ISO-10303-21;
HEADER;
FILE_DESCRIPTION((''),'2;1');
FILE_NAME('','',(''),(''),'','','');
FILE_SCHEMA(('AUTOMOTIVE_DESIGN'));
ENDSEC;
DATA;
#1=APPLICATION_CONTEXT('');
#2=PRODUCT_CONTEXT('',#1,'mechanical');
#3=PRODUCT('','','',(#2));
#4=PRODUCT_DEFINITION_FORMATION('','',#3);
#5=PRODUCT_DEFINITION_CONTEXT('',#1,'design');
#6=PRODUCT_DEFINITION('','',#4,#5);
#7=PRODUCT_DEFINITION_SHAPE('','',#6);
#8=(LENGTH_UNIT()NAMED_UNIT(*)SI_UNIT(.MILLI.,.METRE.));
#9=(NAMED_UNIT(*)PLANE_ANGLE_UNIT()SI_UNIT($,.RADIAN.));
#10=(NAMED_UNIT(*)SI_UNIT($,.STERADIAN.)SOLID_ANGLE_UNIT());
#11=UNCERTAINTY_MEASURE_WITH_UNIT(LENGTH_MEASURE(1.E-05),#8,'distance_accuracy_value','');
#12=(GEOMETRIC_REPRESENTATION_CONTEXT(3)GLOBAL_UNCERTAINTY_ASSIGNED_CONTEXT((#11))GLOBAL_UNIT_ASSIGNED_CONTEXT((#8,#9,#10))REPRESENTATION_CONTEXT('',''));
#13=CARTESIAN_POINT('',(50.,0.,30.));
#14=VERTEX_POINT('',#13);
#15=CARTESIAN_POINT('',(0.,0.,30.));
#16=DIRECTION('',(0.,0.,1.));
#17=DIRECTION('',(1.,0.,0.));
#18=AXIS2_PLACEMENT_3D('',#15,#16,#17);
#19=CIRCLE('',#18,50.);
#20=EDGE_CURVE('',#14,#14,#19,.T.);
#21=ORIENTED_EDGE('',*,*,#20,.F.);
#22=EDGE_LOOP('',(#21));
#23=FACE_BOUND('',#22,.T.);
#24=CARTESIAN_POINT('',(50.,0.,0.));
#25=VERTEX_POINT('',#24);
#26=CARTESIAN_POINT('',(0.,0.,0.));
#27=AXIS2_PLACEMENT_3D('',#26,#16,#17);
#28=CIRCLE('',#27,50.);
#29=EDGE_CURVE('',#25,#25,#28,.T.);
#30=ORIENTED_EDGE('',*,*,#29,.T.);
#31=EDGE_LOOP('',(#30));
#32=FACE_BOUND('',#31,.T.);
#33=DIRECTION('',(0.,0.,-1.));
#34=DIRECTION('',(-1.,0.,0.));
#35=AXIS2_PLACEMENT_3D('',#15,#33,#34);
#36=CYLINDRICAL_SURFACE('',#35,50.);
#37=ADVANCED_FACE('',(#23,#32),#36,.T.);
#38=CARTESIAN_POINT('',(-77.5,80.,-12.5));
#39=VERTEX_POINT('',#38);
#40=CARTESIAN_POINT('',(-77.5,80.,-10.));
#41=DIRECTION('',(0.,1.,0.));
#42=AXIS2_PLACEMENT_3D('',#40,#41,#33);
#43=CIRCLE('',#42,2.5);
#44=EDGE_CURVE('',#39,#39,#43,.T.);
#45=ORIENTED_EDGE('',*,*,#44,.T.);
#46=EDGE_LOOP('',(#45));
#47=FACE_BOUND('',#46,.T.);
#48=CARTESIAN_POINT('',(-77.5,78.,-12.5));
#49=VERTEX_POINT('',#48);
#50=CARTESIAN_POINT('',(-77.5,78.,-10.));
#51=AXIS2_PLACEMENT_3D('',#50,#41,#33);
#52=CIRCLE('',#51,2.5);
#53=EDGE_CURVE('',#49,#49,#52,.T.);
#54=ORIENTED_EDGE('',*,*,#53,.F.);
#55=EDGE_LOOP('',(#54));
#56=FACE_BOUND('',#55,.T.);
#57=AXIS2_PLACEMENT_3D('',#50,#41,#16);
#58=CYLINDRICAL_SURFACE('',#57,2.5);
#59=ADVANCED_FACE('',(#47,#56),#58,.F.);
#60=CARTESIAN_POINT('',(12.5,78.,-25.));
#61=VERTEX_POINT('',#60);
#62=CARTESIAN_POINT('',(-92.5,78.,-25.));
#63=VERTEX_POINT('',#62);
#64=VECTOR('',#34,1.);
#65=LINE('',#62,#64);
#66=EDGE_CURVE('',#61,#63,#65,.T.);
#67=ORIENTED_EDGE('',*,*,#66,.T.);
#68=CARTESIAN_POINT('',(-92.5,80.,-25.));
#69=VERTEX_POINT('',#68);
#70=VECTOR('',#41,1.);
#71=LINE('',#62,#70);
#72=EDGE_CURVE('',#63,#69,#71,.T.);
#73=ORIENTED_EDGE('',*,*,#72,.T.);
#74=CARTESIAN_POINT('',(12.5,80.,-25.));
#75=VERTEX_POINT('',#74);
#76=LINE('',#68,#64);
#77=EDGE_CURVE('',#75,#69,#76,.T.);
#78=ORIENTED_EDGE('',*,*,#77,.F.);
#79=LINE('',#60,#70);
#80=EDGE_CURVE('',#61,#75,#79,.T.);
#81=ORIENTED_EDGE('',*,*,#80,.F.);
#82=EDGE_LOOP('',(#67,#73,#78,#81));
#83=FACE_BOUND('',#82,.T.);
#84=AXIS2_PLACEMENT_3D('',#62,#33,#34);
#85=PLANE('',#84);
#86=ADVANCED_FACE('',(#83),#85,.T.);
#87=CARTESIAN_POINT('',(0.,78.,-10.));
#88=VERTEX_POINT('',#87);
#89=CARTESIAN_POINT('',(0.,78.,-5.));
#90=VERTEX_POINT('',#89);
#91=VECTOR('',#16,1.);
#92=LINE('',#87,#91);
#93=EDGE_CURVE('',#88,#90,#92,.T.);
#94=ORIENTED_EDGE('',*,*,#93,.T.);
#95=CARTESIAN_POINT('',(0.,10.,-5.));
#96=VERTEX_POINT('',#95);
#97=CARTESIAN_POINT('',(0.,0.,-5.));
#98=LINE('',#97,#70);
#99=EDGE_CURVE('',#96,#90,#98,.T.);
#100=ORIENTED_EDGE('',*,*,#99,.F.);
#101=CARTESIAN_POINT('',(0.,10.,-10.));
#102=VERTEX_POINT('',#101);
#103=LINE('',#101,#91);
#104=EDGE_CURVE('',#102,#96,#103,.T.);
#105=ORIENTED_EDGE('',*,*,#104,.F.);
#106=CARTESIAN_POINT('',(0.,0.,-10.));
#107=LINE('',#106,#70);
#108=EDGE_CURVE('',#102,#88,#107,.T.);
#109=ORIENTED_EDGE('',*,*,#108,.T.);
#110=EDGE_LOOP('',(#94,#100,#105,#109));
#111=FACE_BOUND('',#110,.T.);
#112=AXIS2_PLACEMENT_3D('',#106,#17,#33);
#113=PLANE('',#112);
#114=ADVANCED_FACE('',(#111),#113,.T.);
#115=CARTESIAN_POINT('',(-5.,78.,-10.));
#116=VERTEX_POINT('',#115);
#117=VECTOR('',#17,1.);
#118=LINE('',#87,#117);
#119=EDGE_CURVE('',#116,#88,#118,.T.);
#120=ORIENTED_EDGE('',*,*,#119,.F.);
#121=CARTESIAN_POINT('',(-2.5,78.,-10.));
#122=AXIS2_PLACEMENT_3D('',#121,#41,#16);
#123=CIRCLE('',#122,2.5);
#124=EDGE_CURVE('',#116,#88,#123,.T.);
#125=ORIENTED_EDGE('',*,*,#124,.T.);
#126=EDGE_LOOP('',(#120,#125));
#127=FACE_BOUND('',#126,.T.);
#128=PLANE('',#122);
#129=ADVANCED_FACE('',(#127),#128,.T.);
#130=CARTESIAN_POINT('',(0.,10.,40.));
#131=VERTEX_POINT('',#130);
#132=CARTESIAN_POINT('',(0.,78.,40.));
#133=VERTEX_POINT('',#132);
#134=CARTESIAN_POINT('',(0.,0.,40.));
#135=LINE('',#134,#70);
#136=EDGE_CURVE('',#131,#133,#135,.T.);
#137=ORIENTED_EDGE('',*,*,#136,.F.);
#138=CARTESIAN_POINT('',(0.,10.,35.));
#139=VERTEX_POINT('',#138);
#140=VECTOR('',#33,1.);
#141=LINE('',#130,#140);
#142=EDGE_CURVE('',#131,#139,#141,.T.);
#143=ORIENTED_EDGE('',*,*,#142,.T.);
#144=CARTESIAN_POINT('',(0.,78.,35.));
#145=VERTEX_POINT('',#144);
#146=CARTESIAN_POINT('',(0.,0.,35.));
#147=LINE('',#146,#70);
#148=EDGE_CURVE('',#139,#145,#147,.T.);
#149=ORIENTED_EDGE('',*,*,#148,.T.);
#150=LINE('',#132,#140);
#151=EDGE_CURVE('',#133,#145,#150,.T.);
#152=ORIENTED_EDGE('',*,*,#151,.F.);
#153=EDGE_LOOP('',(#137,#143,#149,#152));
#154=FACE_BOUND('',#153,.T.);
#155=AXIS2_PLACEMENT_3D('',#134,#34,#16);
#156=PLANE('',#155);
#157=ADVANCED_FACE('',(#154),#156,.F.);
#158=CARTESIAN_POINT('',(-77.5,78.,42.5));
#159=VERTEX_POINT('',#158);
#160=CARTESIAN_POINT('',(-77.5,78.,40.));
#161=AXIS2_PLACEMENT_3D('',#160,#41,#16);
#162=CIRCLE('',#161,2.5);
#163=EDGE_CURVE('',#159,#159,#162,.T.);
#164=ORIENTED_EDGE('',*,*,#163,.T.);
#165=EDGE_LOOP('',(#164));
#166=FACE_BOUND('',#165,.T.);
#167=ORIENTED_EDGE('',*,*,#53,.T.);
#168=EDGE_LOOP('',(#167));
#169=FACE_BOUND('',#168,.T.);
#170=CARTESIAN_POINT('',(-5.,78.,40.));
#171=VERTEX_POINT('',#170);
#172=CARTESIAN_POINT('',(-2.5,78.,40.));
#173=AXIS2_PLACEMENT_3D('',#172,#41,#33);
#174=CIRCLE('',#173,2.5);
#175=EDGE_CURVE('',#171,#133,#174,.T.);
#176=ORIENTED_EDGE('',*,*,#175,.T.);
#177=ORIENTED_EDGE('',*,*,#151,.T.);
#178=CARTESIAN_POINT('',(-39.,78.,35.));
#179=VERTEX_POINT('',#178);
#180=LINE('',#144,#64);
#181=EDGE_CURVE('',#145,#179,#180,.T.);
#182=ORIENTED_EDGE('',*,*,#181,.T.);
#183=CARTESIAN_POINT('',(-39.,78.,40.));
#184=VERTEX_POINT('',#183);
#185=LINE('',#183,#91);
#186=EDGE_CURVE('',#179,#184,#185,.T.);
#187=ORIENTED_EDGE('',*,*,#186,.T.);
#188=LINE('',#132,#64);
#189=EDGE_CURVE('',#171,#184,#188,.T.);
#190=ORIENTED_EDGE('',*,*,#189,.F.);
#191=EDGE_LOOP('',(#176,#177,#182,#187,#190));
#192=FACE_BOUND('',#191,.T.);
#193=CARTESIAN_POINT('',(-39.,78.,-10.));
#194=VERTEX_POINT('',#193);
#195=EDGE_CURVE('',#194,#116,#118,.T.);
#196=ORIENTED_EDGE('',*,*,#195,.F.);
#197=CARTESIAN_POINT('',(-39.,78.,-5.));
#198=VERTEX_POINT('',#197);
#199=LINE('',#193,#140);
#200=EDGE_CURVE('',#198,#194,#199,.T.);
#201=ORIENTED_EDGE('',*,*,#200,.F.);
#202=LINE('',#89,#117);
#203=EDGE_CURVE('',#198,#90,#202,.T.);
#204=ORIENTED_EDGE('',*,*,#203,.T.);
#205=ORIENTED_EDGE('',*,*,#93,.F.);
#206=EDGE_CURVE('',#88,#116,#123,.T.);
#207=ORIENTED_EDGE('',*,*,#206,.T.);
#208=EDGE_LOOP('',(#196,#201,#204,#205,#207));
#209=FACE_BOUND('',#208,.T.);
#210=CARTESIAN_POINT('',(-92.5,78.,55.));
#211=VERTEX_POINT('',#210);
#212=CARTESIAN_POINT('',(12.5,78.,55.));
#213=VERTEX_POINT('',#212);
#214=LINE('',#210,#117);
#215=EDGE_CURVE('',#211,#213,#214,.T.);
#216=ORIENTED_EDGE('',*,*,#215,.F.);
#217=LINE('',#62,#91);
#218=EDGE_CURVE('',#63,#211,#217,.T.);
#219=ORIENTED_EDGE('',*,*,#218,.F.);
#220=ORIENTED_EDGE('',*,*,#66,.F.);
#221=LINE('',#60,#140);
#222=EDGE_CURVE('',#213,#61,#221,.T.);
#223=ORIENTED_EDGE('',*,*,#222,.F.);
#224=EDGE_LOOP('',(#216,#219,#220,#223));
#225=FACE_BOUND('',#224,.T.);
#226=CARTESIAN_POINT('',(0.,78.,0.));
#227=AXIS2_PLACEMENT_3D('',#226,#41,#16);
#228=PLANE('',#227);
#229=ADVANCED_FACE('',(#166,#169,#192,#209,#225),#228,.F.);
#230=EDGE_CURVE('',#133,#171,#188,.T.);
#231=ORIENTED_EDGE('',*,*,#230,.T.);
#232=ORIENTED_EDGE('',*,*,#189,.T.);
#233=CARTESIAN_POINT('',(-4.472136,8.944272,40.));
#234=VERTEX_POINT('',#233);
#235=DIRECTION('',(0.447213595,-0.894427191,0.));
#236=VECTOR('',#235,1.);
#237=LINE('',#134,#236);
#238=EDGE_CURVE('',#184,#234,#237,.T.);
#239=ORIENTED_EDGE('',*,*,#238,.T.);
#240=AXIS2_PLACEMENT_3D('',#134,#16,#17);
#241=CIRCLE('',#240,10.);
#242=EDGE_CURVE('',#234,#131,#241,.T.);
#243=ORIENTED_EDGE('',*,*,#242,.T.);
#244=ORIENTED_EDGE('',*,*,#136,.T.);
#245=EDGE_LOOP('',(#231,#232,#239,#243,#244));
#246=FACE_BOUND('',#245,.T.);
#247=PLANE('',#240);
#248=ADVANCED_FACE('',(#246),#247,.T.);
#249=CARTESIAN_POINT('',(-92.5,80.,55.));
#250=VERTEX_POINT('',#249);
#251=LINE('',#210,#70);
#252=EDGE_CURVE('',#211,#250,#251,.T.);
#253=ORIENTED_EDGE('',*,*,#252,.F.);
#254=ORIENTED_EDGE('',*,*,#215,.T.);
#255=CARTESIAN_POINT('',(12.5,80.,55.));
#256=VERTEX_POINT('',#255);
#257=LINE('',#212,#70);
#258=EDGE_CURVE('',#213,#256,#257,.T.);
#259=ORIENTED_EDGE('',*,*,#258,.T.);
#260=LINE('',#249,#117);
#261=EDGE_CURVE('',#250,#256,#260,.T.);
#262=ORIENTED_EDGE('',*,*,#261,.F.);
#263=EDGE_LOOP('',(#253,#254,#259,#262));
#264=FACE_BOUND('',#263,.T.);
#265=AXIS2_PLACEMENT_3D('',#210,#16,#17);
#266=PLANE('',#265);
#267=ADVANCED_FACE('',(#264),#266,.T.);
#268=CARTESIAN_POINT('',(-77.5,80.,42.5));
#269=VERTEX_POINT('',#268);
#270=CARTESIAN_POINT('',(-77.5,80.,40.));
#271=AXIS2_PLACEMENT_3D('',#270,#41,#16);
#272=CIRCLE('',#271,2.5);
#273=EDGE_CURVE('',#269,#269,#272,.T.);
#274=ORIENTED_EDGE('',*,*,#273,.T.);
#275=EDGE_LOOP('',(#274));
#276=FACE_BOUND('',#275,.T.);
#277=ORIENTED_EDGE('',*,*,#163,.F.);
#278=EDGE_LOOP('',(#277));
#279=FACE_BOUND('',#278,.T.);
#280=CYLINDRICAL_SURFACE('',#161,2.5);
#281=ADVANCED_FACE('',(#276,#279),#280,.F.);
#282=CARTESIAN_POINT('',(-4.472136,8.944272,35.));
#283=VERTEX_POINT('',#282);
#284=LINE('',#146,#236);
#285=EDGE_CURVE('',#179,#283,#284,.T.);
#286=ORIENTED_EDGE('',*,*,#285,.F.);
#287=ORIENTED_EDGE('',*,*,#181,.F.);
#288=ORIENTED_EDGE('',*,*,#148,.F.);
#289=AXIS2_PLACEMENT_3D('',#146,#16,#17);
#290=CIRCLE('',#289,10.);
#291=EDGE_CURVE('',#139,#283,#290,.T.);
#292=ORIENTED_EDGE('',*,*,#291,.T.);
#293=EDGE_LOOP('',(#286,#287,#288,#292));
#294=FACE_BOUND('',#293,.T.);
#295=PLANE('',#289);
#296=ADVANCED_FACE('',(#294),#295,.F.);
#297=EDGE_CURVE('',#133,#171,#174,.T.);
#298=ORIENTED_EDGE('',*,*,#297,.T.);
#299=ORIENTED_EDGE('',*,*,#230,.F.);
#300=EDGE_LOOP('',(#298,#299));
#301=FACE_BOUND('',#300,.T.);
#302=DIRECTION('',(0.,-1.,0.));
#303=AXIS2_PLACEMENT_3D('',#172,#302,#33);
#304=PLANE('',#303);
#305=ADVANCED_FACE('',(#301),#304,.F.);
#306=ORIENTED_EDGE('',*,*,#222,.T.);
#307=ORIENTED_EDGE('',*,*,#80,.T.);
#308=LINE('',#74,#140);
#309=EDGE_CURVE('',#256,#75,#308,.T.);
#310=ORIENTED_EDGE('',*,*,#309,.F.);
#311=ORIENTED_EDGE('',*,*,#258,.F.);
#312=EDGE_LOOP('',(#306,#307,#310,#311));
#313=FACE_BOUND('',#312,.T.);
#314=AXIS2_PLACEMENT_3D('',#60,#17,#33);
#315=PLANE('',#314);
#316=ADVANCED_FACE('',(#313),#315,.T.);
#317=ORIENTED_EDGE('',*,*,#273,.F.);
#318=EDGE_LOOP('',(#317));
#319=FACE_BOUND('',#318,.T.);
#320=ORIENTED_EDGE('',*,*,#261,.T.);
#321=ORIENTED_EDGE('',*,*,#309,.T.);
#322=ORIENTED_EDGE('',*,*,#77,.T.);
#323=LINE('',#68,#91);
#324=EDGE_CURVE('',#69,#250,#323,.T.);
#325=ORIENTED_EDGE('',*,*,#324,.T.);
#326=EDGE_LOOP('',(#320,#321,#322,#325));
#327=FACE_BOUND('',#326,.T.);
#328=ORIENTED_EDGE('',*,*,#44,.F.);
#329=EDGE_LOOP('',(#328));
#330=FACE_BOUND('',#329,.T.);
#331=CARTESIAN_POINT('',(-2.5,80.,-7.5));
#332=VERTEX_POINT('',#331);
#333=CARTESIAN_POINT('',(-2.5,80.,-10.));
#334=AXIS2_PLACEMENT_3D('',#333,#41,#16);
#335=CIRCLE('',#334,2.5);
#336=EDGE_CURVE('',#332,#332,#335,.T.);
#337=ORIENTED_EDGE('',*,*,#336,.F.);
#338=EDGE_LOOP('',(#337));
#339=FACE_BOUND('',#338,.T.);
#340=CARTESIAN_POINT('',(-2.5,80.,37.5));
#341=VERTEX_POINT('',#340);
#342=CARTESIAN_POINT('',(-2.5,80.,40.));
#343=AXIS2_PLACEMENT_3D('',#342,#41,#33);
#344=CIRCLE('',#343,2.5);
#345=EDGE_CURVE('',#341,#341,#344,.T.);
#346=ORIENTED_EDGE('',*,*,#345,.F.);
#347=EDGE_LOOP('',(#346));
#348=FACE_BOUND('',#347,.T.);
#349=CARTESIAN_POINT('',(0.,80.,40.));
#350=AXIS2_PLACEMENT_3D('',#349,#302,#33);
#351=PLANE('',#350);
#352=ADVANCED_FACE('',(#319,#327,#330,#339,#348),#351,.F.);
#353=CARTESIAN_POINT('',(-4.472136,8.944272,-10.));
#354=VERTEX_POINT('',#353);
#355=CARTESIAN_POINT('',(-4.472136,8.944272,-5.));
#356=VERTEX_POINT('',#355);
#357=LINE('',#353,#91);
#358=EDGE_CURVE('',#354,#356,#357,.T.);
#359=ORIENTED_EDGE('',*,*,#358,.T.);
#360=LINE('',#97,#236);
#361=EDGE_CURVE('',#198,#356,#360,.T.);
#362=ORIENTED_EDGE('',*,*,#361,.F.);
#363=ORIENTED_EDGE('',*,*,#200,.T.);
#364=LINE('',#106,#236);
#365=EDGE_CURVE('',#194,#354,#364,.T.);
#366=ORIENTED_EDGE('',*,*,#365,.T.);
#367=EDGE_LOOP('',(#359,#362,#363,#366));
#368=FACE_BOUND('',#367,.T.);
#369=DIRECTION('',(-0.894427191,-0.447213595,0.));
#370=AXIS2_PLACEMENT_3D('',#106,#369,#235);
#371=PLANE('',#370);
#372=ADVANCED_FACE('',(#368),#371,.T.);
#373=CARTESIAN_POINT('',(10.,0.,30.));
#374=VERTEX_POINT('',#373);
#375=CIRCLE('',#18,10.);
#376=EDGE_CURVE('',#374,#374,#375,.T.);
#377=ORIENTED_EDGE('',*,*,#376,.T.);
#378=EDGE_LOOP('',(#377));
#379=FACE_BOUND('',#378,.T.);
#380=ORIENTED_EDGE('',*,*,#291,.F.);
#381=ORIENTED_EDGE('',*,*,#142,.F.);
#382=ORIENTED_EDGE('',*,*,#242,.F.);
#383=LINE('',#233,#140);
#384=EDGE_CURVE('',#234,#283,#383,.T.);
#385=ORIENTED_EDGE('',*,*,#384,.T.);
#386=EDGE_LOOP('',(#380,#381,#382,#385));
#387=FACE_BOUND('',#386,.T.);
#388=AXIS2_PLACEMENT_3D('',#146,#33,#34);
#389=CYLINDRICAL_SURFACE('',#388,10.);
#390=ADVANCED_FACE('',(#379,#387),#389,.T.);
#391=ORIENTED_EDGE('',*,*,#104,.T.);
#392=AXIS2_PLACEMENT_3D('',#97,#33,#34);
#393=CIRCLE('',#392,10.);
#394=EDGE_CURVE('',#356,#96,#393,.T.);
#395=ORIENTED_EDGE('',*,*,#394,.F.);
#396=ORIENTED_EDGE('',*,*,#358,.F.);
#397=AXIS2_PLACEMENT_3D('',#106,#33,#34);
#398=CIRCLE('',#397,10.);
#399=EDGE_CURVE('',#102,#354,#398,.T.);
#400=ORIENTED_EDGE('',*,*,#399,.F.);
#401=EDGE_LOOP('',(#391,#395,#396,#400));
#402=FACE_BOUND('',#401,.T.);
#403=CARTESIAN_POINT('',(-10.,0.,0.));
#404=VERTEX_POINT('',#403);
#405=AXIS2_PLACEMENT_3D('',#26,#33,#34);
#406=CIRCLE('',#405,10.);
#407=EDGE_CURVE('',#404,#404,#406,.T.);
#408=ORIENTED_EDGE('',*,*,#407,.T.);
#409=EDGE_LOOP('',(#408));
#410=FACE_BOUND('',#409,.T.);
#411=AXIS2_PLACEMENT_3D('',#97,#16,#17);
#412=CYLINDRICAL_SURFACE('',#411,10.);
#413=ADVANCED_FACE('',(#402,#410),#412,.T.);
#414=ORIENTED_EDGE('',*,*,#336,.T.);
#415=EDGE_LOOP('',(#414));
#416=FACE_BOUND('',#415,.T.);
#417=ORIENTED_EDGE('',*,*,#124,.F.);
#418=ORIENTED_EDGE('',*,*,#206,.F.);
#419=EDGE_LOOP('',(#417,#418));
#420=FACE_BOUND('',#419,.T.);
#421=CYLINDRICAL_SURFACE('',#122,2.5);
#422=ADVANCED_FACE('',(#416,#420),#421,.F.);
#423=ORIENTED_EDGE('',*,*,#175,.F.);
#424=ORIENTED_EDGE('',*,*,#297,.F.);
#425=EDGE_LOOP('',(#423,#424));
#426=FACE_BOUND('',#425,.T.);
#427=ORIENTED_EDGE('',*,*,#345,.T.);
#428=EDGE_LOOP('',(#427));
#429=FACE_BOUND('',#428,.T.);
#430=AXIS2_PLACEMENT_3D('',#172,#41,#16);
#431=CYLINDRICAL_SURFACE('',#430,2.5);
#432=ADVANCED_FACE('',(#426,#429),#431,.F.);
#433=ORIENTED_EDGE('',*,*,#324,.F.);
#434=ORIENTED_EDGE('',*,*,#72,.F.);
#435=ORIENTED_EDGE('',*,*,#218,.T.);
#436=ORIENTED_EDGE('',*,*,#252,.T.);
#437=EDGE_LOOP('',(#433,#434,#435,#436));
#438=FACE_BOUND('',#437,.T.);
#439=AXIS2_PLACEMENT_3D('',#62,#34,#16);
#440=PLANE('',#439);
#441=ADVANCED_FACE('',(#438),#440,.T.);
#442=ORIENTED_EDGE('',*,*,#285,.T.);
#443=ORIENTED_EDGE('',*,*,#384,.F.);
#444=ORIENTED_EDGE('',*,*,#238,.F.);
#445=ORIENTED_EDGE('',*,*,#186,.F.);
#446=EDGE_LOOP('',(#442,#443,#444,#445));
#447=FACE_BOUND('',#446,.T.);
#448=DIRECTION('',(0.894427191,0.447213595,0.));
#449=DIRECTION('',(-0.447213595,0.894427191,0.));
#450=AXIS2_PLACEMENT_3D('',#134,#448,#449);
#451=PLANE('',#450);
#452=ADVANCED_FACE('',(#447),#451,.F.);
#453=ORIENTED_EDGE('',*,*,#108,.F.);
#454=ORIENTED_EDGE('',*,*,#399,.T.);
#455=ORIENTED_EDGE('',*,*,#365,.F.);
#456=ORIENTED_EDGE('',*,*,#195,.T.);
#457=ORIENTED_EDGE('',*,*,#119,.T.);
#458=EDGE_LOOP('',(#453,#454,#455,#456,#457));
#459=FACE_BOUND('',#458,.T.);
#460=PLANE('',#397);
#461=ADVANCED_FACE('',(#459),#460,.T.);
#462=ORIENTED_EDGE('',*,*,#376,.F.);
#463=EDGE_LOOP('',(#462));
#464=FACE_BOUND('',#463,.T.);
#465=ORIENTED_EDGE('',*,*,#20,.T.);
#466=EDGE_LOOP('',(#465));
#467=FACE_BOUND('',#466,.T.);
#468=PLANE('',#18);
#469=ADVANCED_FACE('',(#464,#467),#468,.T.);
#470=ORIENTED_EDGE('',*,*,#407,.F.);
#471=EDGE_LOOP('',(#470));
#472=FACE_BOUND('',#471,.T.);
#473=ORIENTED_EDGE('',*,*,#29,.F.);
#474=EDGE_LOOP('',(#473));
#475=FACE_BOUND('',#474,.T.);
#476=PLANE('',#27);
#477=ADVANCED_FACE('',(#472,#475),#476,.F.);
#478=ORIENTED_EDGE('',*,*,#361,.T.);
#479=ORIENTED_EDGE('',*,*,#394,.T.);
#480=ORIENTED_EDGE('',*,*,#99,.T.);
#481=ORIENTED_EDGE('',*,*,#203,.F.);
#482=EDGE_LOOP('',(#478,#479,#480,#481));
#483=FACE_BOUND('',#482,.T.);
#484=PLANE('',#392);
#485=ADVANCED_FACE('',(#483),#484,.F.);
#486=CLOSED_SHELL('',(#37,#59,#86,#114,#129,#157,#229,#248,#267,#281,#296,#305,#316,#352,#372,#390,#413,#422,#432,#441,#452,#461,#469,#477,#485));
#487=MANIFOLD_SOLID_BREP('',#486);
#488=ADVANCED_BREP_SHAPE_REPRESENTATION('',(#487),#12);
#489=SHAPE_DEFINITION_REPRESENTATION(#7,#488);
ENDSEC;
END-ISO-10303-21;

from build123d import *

# Parameters (mm, degrees)
SCHIZZO1_R                   = 50
ESTRUSIONE_ESTRUSIONE1_DEPTH = 30
SCHIZZO2_R                   = 10
ESTRUSIONE_ESTRUSIONE2_DEPTH = 5
ESTRUSIONE_ESTRUSIONE3_START = 5
SCHIZZO3_R                   = 10
ESTRUSIONE_ESTRUSIONE3_DEPTH = 5
SCHIZZO4_R                   = 10
ESTRUSIONE_ESTRUSIONE4_DEPTH = 5
ESTRUSIONE_ESTRUSIONE5_START = 5
SCHIZZO5_R                   = 10
ESTRUSIONE_ESTRUSIONE5_DEPTH = 5
SCHIZZO6_W                   = 105
SCHIZZO6_H                   = 80
ESTRUSIONE_ESTRUSIONE6_DEPTH = 2
SCHIZZO7_R                   = 2.5
TAGLIO_ESTRUSIONE1_DEPTH     = 2


with BuildPart() as part:
    # Schizzo1 → Estrusione-Estrusione1 (new body)
    with BuildSketch(Plane.XY):
        Circle(SCHIZZO1_R)
    extrude(amount=ESTRUSIONE_ESTRUSIONE1_DEPTH)

    # Schizzo2 → Estrusione-Estrusione2 (add)
    with BuildSketch(Plane.XY.offset(30)):
        Circle(SCHIZZO2_R)
    extrude(amount=ESTRUSIONE_ESTRUSIONE2_DEPTH)

    # Schizzo3 → Estrusione-Estrusione3 (add)
    with BuildSketch(Plane(origin=(0, 0, 0), x_dir=(-1, 0, 0), z_dir=(0, 0, -1)).offset(ESTRUSIONE_ESTRUSIONE3_START)):
        with Locations(Location((0, 0, 0), (0, 0, 180))):
            Circle(SCHIZZO3_R)
    extrude(amount=-ESTRUSIONE_ESTRUSIONE3_DEPTH)

    # Schizzo4 → Estrusione-Estrusione4 (add)
    with BuildSketch(Plane.XY.offset(35)):
        with Locations(Location((0, 0, 0), (0, 0, 116.565051177))):
            Circle(SCHIZZO4_R)
        Polygon((0, 80), (-40, 80), (0, 0), align=None)
        with BuildLine():
            Line((-4.472135955, 8.94427191), (0, 0))
            Line((0, 0), (0, 10))
            ThreePointArc((0, 10), (-2.297529205, 9.732489895), (-4.472135955, 8.94427191))
        make_face()
        with BuildLine():
            Line((0, 10), (0, 0))
            Line((0, 0), (-4.472135955, 8.94427191))
            ThreePointArc((-4.472135955, 8.94427191), (-5.257311121, -8.506508084), (10, 0))
            ThreePointArc((10, 0), (7.071067812, 7.071067812), (0, 10))
        make_face()
    extrude(amount=ESTRUSIONE_ESTRUSIONE4_DEPTH)

    # Schizzo5 → Estrusione-Estrusione5 (add)
    with BuildSketch(Plane(origin=(0, 0, -5), x_dir=(-1, 0, 0), z_dir=(0, 0, -1)).offset(ESTRUSIONE_ESTRUSIONE5_START)):
        with Locations(Location((0, 0, 0), (0, 0, 63.434948823))):
            Circle(SCHIZZO5_R)
        Polygon((40, 80), (0, 0), (0, 80), align=None)
        with BuildLine():
            Line((4.472135955, 8.94427191), (0, 0))
            Line((0, 0), (0, 10))
            ThreePointArc((0, 10), (-7.071067812, -7.071067812), (10, 0))
            ThreePointArc((10, 0), (8.506508084, 5.257311121), (4.472135955, 8.94427191))
        make_face()
        with BuildLine():
            Line((0, 10), (0, 0))
            Line((0, 0), (4.472135955, 8.94427191))
            ThreePointArc((4.472135955, 8.94427191), (2.297529205, 9.732489895), (0, 10))
        make_face()
    extrude(amount=-ESTRUSIONE_ESTRUSIONE5_DEPTH)

    # Schizzo6 → Estrusione-Estrusione6 (add)
    with BuildSketch(Plane(origin=(0, 80, 0), x_dir=(1, 0, 0), z_dir=(0, 1, 0))):
        with Locations((-40, -15)):
            Rectangle(SCHIZZO6_W, SCHIZZO6_H)
    extrude(amount=-ESTRUSIONE_ESTRUSIONE6_DEPTH)

    # Schizzo7 → Taglio-Estrusione1 (cut)
    with BuildSketch(Plane(origin=(0, 80, 0), x_dir=(1, 0, 0), z_dir=(0, 1, 0))):
        with Locations(Location((-77.5, -40, 0), (0, 0, 270))):
            Circle(SCHIZZO7_R)
        with Locations(Location((-2.5, -40, 0), (0, 0, 180))):
            Circle(SCHIZZO7_R)
        with Locations(Location((-2.5, 10, 0), (0, 0, 270))):
            Circle(SCHIZZO7_R)
        with Locations(Location((-77.5, 10, 0), (0, 0, 90))):
            Circle(SCHIZZO7_R)
    extrude(amount=-TAGLIO_ESTRUSIONE1_DEPTH, mode=Mode.SUBTRACT)


solid = part.part
